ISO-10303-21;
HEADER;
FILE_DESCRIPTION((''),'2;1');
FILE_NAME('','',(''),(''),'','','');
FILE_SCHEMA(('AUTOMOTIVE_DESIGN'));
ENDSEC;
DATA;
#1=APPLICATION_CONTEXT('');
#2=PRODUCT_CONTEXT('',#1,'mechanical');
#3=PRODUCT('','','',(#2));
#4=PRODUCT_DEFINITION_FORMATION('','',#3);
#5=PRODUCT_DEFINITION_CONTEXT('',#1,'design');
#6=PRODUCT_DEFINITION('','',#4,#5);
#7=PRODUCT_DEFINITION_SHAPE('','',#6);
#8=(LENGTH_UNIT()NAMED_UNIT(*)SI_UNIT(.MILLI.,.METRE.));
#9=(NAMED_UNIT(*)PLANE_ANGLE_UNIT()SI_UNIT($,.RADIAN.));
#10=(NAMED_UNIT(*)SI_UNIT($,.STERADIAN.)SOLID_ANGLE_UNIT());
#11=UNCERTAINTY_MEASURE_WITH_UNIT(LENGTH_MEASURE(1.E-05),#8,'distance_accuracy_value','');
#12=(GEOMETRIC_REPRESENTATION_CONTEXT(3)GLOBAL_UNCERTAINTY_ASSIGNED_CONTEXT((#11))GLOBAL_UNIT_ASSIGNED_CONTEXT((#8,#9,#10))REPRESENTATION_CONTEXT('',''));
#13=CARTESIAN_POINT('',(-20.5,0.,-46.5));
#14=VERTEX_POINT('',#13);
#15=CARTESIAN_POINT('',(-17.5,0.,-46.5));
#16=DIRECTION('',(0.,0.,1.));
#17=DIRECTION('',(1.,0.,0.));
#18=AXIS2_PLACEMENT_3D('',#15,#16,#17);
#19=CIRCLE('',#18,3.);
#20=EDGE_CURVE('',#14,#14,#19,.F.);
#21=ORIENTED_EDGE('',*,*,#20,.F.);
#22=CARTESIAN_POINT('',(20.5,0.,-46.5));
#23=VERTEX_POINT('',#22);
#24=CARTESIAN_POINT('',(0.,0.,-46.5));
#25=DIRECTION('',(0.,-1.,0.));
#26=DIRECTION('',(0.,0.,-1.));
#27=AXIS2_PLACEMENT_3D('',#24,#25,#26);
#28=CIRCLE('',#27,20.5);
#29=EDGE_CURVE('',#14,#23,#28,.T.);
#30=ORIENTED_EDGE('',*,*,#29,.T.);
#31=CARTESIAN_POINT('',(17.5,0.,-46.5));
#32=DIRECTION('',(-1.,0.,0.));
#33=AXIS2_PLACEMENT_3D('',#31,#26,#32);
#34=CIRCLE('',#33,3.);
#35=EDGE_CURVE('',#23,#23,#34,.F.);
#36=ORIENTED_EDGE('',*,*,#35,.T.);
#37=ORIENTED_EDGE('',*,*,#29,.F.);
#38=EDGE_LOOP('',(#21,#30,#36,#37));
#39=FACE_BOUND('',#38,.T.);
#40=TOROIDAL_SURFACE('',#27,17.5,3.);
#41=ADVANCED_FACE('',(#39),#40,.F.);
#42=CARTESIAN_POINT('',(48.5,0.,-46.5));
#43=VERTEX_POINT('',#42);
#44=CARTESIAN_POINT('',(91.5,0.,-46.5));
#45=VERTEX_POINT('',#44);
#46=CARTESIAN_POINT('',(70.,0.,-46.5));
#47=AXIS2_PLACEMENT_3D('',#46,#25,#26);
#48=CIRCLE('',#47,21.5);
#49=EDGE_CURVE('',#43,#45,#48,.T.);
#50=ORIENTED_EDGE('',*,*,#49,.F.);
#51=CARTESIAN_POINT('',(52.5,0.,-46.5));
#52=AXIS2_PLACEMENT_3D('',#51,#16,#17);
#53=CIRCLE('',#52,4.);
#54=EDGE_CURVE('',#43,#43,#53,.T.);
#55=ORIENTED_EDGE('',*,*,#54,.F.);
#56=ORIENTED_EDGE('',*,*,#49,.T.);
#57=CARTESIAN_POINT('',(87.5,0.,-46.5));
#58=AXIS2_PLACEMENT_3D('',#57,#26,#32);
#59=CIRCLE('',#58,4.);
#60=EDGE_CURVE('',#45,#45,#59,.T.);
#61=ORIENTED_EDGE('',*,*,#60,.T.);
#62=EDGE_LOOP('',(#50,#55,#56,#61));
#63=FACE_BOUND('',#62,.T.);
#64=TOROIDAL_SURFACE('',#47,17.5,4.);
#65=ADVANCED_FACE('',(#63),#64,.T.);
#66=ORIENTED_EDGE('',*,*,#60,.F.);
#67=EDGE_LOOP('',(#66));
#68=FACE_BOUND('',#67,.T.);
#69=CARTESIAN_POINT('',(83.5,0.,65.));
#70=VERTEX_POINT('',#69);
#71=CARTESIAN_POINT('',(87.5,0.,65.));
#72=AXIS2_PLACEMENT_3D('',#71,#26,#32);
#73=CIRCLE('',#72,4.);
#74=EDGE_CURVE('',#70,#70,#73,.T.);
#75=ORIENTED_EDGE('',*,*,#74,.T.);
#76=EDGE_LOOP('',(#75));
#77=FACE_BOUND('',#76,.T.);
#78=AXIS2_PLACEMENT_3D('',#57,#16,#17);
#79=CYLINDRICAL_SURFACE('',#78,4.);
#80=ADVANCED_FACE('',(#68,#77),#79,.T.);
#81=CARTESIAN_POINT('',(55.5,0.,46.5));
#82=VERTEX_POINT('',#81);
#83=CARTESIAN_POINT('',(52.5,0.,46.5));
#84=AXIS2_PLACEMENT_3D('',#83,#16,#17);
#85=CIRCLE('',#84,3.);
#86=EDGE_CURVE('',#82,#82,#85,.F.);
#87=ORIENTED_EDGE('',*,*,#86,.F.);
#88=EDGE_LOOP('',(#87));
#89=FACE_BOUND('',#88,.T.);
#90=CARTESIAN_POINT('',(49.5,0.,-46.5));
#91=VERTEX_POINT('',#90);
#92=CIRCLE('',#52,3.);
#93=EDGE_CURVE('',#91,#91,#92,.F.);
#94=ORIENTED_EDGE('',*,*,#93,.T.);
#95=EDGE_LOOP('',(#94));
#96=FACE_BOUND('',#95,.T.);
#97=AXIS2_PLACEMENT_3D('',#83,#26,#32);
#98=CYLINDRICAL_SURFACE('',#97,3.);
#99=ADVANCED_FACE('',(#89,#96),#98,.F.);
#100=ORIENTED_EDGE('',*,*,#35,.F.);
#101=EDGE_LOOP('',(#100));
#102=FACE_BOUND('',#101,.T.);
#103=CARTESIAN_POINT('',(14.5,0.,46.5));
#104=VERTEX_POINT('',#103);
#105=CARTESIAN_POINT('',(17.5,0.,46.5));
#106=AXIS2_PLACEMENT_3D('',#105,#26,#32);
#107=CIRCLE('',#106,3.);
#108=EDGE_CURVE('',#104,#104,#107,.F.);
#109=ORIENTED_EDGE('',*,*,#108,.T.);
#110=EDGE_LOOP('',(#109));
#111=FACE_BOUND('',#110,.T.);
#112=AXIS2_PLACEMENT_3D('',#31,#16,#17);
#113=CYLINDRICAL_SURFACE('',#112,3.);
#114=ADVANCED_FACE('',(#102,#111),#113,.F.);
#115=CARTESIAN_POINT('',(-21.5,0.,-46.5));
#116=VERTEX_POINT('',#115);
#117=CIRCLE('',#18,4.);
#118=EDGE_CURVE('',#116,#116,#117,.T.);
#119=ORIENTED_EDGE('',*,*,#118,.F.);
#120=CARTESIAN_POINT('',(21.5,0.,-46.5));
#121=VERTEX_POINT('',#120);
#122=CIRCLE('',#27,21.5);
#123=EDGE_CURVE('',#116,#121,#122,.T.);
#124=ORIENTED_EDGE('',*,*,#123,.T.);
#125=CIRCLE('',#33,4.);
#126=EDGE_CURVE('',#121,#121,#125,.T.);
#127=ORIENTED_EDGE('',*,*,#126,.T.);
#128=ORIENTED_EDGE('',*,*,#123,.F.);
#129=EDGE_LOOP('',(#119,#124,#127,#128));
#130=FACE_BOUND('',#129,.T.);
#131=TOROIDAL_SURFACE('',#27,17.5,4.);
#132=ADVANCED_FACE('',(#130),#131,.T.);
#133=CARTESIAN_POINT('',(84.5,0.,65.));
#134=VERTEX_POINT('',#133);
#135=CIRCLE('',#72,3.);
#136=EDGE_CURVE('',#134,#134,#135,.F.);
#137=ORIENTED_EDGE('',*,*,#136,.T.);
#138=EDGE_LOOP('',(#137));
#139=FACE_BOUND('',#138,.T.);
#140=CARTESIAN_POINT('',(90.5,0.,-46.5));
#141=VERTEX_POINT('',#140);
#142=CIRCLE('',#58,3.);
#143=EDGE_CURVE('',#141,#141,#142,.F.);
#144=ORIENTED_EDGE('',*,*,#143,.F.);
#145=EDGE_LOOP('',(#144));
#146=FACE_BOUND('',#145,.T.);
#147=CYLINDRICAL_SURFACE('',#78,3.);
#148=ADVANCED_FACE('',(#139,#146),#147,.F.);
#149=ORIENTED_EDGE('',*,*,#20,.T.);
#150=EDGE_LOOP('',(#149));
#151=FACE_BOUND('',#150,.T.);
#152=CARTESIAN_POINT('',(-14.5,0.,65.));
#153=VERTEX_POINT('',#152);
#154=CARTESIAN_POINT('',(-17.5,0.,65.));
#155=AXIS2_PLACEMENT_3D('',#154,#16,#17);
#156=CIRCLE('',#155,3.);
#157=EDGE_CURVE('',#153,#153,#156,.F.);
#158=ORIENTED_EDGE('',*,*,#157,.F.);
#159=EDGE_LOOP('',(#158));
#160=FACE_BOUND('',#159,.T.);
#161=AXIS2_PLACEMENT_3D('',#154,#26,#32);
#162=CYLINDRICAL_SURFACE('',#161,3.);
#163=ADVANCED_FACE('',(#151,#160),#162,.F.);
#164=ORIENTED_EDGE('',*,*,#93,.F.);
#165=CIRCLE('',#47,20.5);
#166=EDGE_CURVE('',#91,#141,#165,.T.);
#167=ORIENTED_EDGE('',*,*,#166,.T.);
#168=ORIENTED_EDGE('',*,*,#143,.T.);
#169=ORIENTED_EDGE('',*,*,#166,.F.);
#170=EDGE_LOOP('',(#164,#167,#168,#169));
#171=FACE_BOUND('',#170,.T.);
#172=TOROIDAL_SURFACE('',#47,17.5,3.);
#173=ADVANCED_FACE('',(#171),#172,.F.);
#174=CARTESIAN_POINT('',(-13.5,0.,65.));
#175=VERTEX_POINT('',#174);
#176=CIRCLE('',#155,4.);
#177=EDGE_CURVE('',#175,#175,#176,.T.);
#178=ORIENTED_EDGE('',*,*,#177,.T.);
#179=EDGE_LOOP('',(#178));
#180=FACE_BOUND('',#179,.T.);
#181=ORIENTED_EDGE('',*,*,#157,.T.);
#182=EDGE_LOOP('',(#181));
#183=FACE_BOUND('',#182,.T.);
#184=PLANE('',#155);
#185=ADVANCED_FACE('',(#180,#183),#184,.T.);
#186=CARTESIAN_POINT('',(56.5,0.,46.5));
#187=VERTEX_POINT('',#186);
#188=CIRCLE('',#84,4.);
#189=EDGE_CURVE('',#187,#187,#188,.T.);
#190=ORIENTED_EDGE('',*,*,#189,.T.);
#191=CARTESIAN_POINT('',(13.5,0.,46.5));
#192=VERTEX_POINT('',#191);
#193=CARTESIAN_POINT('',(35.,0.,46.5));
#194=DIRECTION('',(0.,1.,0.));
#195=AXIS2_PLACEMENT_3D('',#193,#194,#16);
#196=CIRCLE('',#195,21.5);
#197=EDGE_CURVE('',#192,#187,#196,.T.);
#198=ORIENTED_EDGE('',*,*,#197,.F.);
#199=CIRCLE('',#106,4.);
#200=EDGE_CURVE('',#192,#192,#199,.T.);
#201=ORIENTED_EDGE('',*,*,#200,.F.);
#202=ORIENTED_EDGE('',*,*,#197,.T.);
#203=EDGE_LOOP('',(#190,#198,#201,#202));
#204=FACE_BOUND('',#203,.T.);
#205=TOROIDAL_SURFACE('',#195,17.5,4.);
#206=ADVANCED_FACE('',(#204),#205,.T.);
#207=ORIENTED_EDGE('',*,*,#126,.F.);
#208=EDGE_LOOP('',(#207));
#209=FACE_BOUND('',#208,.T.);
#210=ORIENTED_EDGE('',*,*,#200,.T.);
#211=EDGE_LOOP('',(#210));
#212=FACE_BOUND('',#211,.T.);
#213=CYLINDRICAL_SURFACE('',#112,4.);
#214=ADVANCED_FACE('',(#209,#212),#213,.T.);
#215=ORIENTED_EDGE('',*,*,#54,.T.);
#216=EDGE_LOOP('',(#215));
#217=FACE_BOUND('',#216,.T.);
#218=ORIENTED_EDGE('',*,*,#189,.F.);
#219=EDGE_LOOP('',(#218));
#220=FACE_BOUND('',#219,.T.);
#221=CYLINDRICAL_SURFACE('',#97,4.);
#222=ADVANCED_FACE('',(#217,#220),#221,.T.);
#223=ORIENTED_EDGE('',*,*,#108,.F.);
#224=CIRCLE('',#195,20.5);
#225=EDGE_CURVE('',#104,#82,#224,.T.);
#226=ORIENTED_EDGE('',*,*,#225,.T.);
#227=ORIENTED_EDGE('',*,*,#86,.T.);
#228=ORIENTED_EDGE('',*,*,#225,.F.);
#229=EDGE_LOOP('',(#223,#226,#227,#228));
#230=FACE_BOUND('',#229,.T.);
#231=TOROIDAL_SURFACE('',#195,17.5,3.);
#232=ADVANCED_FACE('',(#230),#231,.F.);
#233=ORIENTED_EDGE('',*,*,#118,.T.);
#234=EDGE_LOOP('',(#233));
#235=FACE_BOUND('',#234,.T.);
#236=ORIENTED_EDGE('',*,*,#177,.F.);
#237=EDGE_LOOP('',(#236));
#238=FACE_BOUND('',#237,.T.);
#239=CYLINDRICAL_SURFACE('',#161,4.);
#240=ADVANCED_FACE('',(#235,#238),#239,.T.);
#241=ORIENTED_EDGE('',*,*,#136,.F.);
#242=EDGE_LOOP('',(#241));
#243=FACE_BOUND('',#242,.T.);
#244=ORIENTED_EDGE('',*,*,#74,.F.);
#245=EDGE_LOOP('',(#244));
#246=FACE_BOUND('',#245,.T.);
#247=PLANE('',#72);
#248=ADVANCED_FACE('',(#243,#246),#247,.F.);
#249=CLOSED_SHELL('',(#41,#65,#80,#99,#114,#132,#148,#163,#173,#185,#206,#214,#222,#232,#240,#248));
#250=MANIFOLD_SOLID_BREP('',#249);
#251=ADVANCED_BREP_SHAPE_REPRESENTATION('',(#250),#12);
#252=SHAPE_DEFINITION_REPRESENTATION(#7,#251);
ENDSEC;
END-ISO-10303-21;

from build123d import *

# Parameters (mm, degrees)
SKETCH3_R   = 4
SKETCH3_R_2 = 3


with BuildPart() as part:
    # Sweep1: sweep along a path in Sketch2
    with BuildLine(Plane(origin=(0, 0, 0), x_dir=(1, 0, 0), z_dir=(0, 1, 0))) as sweep1_path:
        Line((87.5, -65), (87.5, 46.5))
        ThreePointArc((87.5, 46.5), (70, 64), (52.5, 46.5))
        Line((52.5, 46.5), (52.5, -46.5))
        ThreePointArc((52.5, -46.5), (35, -64), (17.5, -46.5))
        Line((17.5, -46.5), (17.5, 46.5))
        ThreePointArc((17.5, 46.5), (0, 64), (-17.5, 46.5))
        Line((-17.5, 46.5), (-17.5, -65))
    # Sketch3 → Sweep1 (sweep)
    with BuildSketch(Plane.XY.offset(65)):
        with Locations((-17.5, 0)):
            Circle(SKETCH3_R)
        with Locations((-17.5, 0)):
            Circle(SKETCH3_R_2, mode=Mode.SUBTRACT)
    sweep(path=sweep1_path.line)


solid = part.part
